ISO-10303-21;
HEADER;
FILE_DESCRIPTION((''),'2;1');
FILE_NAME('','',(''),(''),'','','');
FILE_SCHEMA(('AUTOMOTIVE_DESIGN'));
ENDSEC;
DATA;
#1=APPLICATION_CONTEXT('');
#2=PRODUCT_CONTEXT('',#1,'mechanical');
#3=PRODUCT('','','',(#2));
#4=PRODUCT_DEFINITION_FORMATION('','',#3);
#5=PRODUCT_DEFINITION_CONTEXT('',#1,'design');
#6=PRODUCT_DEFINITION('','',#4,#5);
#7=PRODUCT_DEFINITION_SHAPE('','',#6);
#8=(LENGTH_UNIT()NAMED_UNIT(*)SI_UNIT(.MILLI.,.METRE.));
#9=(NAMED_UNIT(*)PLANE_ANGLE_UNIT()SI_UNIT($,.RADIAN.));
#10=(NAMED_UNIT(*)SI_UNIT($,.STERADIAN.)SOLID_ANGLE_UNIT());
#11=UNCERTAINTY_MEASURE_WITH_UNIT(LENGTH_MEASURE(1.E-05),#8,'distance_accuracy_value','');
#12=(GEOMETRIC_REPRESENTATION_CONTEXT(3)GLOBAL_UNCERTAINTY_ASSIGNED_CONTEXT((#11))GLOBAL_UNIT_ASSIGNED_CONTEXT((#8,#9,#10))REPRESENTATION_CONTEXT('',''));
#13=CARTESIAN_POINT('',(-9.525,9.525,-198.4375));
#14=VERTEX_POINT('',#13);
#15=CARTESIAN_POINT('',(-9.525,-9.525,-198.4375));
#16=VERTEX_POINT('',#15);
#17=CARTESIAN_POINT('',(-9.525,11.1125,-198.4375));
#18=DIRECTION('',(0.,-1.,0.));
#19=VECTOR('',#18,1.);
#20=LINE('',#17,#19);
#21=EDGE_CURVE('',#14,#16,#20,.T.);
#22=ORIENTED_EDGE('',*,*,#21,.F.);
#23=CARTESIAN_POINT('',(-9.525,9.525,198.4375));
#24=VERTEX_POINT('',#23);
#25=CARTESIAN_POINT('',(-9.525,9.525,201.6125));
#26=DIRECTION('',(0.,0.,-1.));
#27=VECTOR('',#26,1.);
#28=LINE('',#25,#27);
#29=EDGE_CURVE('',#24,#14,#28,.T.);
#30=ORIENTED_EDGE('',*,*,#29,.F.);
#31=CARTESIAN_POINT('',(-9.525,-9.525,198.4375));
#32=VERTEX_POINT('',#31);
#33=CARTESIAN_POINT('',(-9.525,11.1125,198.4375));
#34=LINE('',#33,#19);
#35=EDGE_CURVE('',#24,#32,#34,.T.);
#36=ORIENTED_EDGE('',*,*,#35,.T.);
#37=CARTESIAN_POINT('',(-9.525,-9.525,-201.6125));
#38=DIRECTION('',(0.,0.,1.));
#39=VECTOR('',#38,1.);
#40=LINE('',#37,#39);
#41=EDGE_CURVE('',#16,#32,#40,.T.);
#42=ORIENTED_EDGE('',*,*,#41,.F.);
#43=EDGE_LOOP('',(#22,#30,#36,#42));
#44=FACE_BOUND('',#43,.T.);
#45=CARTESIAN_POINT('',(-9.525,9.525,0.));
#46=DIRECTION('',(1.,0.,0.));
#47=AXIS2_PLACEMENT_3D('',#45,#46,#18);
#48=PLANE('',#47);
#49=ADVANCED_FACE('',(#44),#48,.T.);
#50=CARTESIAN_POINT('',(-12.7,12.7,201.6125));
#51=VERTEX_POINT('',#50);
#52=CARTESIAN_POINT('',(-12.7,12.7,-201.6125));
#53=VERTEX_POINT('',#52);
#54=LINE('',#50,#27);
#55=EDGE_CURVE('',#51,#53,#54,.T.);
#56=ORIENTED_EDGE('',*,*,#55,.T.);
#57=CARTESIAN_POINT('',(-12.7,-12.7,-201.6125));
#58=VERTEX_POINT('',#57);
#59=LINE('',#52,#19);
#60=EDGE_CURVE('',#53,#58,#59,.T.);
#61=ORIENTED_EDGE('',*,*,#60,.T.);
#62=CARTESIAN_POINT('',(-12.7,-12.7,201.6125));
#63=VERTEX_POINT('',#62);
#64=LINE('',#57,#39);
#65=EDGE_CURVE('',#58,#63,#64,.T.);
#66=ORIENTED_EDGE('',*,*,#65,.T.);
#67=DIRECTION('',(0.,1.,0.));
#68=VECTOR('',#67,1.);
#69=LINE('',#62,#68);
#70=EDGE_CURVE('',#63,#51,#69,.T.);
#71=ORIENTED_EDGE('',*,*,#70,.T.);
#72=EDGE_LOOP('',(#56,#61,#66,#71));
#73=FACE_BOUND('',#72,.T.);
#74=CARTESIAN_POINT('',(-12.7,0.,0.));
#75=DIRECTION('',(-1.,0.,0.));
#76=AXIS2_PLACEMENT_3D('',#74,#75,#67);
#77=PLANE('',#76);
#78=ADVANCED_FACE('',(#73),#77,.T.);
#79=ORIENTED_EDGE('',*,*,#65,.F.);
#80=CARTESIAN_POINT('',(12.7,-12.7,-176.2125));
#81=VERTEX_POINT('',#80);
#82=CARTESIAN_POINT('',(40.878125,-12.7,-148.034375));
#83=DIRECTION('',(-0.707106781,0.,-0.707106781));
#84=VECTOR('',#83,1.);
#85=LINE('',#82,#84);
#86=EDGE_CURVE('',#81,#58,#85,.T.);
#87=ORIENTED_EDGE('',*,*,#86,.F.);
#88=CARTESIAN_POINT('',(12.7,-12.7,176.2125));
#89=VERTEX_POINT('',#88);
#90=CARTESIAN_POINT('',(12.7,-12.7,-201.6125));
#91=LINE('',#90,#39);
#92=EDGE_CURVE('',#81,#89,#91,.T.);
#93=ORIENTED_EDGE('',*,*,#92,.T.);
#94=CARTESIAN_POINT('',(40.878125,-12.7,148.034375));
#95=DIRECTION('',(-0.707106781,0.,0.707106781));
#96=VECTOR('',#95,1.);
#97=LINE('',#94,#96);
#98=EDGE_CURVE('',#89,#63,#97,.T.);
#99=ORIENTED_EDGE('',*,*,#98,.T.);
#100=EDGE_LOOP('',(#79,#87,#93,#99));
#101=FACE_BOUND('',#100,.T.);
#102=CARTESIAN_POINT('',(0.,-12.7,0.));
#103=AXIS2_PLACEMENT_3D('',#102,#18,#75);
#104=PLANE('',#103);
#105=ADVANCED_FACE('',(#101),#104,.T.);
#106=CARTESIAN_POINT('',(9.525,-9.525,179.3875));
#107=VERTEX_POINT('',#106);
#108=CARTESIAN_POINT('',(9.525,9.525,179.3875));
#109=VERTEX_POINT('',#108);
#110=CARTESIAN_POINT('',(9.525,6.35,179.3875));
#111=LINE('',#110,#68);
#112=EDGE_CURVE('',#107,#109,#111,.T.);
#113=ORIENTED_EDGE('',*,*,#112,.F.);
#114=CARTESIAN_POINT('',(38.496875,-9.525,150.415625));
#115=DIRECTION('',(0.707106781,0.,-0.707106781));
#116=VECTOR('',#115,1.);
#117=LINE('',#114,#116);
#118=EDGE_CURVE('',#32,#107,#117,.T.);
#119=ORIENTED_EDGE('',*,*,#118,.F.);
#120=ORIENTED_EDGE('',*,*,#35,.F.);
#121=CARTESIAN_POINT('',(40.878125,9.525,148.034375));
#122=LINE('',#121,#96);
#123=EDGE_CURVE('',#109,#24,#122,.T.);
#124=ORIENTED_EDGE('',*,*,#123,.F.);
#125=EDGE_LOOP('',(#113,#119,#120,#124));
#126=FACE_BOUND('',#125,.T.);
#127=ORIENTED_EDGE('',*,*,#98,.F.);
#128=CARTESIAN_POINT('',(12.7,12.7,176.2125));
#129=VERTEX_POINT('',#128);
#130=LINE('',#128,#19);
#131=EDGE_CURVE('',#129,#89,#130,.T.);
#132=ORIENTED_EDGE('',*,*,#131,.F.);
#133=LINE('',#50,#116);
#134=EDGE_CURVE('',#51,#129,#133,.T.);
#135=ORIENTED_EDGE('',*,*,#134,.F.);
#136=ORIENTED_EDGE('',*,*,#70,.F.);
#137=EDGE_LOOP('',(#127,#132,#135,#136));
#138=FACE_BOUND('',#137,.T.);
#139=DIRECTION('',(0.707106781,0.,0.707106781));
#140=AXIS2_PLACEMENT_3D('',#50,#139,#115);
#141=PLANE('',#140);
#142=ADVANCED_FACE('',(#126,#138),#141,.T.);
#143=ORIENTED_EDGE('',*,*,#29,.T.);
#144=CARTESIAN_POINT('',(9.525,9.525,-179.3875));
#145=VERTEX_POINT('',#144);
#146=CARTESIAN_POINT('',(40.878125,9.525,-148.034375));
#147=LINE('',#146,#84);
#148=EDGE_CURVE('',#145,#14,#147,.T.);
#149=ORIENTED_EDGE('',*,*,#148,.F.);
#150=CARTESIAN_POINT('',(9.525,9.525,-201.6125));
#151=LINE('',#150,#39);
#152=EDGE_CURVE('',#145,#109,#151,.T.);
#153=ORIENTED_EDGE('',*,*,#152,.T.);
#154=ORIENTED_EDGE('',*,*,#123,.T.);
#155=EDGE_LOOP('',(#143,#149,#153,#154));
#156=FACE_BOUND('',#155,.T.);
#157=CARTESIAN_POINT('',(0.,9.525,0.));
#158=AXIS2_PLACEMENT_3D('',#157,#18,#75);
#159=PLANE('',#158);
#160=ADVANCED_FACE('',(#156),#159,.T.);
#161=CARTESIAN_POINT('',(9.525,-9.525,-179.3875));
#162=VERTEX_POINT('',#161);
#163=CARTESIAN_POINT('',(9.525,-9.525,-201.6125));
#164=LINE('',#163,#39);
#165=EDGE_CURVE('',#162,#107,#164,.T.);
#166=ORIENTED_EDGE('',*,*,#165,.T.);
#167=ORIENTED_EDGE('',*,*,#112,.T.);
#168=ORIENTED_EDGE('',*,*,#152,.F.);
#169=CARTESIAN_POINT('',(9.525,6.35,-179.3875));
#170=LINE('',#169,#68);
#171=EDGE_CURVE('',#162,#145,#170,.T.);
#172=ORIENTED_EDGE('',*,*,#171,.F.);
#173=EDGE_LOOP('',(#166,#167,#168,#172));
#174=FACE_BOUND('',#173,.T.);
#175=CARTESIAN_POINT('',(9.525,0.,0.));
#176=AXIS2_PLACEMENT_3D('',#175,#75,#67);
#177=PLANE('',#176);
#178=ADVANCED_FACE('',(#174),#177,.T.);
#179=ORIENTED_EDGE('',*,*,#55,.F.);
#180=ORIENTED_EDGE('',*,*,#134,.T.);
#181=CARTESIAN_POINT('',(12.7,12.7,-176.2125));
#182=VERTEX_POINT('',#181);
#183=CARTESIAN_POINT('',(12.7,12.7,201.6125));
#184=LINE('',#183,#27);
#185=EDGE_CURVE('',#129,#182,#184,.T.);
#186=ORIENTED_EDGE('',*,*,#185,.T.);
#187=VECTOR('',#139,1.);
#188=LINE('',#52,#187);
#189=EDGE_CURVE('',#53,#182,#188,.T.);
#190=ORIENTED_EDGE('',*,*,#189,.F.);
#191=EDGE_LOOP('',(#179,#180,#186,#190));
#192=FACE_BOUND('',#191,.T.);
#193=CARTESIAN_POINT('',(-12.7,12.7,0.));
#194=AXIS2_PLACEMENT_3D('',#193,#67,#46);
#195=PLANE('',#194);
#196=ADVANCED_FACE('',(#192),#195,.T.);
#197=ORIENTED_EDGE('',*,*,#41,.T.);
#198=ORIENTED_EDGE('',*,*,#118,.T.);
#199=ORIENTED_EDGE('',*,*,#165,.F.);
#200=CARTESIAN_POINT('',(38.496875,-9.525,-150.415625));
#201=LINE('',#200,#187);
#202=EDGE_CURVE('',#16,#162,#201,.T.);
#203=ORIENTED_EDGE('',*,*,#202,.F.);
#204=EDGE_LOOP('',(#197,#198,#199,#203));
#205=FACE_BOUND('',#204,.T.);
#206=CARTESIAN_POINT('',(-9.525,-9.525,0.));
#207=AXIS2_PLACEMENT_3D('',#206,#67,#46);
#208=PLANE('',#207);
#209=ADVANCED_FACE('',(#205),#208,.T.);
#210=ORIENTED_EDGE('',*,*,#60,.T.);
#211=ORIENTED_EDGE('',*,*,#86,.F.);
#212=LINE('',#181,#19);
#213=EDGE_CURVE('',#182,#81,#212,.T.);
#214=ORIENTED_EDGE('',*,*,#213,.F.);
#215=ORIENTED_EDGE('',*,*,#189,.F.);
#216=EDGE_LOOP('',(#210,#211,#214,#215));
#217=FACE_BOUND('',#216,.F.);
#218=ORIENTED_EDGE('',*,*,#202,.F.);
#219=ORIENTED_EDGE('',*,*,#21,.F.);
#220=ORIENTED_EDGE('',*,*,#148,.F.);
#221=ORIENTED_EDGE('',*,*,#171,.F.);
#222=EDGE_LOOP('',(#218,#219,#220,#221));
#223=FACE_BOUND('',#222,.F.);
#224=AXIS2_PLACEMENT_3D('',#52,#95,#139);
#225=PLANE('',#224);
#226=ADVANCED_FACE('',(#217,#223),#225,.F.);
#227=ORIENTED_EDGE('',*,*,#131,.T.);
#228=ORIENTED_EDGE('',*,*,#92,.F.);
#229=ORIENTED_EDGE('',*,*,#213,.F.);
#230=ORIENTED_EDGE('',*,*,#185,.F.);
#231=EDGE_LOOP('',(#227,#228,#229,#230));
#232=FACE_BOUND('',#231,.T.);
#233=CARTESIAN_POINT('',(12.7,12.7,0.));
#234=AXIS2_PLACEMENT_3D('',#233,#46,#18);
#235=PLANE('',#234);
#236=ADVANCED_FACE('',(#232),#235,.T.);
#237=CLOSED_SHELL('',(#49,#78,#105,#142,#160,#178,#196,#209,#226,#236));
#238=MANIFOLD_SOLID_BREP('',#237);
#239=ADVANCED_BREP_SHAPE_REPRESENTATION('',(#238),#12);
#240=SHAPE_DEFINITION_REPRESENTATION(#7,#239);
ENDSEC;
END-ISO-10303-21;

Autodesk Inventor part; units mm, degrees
ref_plane "YZ Plane" through (0, 0, 0) normal (1, 0, 0) x (0, 1, 0)
ref_plane "XZ Plane" through (0, 0, 0) normal (0, 1, 0) x (-1, 0, 0)
ref_plane "XY Plane" through (0, 0, 0) normal (0, 0, 1) x (1, 0, 0)
sketch "Sketch1" plane through (0, 0, 0) normal (0, 0, 1) x (1, 0, 0)
  line L0 (-17.78, 0) -> (17.78, 0) projected
  line L1 (0, -17.78) -> (0, 17.78) projected
  line L2 (-12.7, 12.7) -> (12.7, 12.7)
  line L3 (12.7, 12.7) -> (12.7, -12.7)
  line L4 (12.7, -12.7) -> (-12.7, -12.7)
  line L5 (-12.7, -12.7) -> (-12.7, 12.7)
  line L6 (9.525, 9.525) -> (-9.525, 9.525)
  line L7 (-9.525, 9.525) -> (-9.525, -9.525)
  line L8 (-9.525, -9.525) -> (9.525, -9.525)
  line L9 (9.525, -9.525) -> (9.525, 9.525)
  point P0 (0, 0)
  point P1 (-12.7, 0)
  point P2 (0, 12.7)
  dimension "d0" = 25.4
  dimension "d1" = 3.175
extrude "Extrusion1" add sketch "Sketch1" along normal mid plane 403.225 contours L5 L2 L1 L6 L7 L0 | L0 L7 L8 L1 L4 L5 | L1 L8 L9 L0 L3 L4 | L2 L3 L0 L9 L6 L1
sketch "Sketch3" plane through (-12.7, 12.7, 201.6125) normal (0, 1, 0) x (1, 0, 0)
  line L0 (0, 0) -> (25.4, 0) projected
  line L1 (25.4, 0) -> (25.4, 403.225) projected
  line L2 (0, 0) -> (25.4, 25.4)
  point P0 (12.7, 201.6125)
  dimension "d7" = 45
extrude "Extrusion3" cut sketch "Sketch3" against normal through all
sketch "Sketch4" plane through (-12.7, 12.7, -201.6125) normal (0, 1, 0) x (1, 0, 0)
  line L0 (25.4, -377.825) -> (25.4, 0) projected
  line L1 (25.4, 0) -> (0, 0) projected
  line L2 (0, 0) -> (25.4, -25.4)
  point P0 (12.7, -201.6125)
  dimension "d10" = 45
extrude "Extrusion4" cut sketch "Sketch4" against normal through all
properties part number "tubing_template_0.125" material "Aluminum-6061"
